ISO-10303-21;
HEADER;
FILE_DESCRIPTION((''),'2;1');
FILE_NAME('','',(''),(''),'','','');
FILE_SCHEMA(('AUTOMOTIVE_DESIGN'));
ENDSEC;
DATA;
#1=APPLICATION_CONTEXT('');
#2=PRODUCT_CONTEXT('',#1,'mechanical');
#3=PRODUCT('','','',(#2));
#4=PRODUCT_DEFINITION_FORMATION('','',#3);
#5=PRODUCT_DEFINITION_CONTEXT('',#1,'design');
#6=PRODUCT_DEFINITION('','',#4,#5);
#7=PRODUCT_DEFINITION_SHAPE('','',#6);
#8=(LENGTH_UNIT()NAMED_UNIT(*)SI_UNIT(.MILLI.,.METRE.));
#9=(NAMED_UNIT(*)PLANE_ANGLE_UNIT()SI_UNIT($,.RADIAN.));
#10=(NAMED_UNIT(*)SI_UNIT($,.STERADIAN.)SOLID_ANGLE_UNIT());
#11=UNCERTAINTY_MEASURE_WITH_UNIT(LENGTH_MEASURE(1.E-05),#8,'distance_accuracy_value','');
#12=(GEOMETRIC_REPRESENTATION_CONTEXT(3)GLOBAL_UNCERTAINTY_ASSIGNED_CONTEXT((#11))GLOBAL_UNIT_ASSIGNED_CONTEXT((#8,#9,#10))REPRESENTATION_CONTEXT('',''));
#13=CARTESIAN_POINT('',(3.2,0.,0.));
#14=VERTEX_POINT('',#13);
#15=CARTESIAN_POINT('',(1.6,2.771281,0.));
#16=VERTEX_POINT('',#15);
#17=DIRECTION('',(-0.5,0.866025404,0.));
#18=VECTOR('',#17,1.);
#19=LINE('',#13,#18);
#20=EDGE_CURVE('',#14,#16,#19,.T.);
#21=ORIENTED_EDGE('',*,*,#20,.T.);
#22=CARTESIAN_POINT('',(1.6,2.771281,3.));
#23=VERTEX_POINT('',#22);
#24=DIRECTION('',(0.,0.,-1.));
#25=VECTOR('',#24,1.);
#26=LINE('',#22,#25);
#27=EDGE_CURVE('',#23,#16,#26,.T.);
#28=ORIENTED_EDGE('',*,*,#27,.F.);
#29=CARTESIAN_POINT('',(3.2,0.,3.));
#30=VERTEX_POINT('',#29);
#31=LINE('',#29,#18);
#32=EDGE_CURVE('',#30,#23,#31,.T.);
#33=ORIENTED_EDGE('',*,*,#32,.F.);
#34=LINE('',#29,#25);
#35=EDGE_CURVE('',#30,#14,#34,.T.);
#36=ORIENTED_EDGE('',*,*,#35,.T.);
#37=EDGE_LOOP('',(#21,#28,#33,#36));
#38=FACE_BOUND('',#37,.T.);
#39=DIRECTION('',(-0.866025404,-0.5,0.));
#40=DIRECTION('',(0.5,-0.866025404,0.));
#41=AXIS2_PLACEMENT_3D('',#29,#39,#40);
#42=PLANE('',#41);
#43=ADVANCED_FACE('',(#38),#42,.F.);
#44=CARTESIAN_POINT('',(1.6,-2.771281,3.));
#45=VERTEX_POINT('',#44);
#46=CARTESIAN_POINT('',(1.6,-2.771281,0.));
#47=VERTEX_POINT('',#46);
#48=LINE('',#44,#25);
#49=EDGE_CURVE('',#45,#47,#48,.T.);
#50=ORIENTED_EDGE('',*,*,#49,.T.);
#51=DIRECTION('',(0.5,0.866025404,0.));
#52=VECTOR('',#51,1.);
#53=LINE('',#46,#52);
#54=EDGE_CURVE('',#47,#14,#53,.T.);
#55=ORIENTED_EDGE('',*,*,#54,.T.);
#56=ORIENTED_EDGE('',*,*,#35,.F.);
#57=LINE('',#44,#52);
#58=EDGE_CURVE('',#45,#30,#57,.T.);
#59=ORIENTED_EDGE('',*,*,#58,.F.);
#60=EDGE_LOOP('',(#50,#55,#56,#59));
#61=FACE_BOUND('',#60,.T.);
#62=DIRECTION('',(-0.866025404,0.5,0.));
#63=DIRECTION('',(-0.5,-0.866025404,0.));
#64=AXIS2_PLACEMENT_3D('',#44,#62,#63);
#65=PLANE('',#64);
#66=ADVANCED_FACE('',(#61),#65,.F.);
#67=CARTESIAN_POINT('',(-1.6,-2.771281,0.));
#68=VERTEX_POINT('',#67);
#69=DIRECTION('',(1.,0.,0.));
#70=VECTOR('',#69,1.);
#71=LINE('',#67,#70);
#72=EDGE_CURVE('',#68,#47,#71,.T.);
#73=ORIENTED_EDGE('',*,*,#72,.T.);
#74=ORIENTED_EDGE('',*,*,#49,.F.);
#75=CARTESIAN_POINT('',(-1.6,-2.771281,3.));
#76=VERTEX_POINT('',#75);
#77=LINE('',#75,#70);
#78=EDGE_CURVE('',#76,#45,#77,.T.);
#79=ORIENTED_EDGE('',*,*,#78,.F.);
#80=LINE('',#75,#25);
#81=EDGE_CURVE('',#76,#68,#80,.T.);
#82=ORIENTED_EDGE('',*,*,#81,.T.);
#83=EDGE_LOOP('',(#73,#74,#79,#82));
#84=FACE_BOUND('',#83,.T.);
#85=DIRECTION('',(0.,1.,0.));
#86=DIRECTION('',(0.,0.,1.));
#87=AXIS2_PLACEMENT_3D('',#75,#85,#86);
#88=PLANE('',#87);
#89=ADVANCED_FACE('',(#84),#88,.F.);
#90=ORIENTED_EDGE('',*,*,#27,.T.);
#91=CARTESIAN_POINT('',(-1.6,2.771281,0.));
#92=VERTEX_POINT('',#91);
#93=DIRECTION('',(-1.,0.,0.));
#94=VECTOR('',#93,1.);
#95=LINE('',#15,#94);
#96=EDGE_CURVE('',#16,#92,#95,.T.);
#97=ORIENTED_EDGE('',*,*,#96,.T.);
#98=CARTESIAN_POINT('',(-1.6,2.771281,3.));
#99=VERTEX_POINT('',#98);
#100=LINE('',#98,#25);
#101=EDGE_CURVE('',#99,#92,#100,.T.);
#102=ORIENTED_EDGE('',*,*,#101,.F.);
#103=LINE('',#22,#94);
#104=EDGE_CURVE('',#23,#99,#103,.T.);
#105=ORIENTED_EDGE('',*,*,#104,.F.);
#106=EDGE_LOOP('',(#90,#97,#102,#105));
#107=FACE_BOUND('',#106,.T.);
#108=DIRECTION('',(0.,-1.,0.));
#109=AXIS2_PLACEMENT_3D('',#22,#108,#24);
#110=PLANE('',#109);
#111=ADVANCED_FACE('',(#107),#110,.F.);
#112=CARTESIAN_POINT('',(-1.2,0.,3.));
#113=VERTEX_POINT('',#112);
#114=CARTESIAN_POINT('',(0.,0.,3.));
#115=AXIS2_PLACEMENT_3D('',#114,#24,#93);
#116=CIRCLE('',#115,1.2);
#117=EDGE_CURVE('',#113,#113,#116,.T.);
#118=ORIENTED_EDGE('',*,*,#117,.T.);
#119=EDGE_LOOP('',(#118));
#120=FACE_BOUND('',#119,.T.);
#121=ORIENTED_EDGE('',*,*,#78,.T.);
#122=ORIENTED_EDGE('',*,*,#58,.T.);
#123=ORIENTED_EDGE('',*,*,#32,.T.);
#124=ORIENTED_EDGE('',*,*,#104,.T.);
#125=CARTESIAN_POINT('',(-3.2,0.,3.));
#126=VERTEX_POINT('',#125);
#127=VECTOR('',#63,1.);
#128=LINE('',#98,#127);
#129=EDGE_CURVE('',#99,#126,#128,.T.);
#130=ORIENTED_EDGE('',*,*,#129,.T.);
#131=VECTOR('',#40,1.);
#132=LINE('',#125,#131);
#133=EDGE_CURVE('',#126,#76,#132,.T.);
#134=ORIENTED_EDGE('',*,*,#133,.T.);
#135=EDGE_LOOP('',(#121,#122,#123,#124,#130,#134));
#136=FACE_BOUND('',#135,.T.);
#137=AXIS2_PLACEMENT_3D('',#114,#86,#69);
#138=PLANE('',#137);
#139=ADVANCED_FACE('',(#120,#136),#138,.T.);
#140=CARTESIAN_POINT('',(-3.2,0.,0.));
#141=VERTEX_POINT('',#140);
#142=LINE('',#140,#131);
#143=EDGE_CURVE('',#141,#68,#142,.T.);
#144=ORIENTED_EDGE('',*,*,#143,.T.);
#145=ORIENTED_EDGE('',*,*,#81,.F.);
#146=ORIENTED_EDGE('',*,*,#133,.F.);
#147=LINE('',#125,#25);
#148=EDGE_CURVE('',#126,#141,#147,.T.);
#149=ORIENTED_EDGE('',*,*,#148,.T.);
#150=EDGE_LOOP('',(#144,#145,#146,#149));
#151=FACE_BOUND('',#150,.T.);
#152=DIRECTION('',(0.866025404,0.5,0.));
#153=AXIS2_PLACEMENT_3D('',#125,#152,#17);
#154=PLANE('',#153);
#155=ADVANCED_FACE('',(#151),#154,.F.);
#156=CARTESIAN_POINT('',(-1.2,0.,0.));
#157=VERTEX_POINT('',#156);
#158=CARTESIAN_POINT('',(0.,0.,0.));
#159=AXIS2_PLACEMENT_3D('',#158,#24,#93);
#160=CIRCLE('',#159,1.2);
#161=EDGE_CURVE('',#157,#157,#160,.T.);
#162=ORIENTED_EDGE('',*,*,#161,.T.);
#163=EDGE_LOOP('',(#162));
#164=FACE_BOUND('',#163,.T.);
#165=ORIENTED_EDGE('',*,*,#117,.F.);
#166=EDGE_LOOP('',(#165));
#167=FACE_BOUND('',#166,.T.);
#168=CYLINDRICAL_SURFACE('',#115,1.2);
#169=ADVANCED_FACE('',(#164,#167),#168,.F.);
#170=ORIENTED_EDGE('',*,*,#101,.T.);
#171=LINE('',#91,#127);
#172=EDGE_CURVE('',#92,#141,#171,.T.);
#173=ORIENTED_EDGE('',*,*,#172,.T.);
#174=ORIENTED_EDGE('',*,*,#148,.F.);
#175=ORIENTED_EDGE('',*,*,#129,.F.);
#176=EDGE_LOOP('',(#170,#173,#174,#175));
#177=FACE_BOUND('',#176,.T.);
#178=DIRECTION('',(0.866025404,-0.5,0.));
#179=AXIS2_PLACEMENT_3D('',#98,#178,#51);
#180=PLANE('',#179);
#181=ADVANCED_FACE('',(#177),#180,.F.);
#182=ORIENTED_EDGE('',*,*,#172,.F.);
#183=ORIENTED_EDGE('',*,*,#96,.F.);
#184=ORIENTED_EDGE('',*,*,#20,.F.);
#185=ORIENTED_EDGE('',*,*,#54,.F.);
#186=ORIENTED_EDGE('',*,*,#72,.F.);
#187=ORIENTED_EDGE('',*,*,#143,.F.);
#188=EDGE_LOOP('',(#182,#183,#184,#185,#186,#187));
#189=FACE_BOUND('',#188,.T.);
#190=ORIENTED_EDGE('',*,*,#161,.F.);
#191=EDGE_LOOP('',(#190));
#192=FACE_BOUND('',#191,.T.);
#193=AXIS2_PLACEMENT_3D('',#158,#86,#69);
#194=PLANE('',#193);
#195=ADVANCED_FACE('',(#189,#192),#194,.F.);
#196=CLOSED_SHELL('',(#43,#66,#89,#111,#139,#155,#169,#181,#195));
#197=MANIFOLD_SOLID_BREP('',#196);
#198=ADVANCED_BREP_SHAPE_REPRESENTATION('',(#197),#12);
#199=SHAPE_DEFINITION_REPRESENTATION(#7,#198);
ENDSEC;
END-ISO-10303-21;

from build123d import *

# Parameters (mm, degrees)
EXTRUDE_1_DEPTH     = 3
SKETCH_2_R          = 1.2
CUT_EXTRUDE_1_DEPTH = 3


with BuildPart() as part:
    # 草图1 → 凸台-拉伸1 (new body)
    with BuildSketch(Plane.XY):
        Polygon((1.6, 2.771281292), (-1.6, 2.771281292), (-3.2, 0), (-1.6, -2.771281292), (1.6, -2.771281292), (3.2, 0), align=None)
    extrude(amount=EXTRUDE_1_DEPTH)

    # 草图2 → 切除-拉伸1 (cut)
    with BuildSketch(Plane(origin=(0, 0, 0), x_dir=(-1, 0, 0), z_dir=(0, 0, -1))):
        Circle(SKETCH_2_R)
    extrude(amount=-CUT_EXTRUDE_1_DEPTH, mode=Mode.SUBTRACT)


solid = part.part
